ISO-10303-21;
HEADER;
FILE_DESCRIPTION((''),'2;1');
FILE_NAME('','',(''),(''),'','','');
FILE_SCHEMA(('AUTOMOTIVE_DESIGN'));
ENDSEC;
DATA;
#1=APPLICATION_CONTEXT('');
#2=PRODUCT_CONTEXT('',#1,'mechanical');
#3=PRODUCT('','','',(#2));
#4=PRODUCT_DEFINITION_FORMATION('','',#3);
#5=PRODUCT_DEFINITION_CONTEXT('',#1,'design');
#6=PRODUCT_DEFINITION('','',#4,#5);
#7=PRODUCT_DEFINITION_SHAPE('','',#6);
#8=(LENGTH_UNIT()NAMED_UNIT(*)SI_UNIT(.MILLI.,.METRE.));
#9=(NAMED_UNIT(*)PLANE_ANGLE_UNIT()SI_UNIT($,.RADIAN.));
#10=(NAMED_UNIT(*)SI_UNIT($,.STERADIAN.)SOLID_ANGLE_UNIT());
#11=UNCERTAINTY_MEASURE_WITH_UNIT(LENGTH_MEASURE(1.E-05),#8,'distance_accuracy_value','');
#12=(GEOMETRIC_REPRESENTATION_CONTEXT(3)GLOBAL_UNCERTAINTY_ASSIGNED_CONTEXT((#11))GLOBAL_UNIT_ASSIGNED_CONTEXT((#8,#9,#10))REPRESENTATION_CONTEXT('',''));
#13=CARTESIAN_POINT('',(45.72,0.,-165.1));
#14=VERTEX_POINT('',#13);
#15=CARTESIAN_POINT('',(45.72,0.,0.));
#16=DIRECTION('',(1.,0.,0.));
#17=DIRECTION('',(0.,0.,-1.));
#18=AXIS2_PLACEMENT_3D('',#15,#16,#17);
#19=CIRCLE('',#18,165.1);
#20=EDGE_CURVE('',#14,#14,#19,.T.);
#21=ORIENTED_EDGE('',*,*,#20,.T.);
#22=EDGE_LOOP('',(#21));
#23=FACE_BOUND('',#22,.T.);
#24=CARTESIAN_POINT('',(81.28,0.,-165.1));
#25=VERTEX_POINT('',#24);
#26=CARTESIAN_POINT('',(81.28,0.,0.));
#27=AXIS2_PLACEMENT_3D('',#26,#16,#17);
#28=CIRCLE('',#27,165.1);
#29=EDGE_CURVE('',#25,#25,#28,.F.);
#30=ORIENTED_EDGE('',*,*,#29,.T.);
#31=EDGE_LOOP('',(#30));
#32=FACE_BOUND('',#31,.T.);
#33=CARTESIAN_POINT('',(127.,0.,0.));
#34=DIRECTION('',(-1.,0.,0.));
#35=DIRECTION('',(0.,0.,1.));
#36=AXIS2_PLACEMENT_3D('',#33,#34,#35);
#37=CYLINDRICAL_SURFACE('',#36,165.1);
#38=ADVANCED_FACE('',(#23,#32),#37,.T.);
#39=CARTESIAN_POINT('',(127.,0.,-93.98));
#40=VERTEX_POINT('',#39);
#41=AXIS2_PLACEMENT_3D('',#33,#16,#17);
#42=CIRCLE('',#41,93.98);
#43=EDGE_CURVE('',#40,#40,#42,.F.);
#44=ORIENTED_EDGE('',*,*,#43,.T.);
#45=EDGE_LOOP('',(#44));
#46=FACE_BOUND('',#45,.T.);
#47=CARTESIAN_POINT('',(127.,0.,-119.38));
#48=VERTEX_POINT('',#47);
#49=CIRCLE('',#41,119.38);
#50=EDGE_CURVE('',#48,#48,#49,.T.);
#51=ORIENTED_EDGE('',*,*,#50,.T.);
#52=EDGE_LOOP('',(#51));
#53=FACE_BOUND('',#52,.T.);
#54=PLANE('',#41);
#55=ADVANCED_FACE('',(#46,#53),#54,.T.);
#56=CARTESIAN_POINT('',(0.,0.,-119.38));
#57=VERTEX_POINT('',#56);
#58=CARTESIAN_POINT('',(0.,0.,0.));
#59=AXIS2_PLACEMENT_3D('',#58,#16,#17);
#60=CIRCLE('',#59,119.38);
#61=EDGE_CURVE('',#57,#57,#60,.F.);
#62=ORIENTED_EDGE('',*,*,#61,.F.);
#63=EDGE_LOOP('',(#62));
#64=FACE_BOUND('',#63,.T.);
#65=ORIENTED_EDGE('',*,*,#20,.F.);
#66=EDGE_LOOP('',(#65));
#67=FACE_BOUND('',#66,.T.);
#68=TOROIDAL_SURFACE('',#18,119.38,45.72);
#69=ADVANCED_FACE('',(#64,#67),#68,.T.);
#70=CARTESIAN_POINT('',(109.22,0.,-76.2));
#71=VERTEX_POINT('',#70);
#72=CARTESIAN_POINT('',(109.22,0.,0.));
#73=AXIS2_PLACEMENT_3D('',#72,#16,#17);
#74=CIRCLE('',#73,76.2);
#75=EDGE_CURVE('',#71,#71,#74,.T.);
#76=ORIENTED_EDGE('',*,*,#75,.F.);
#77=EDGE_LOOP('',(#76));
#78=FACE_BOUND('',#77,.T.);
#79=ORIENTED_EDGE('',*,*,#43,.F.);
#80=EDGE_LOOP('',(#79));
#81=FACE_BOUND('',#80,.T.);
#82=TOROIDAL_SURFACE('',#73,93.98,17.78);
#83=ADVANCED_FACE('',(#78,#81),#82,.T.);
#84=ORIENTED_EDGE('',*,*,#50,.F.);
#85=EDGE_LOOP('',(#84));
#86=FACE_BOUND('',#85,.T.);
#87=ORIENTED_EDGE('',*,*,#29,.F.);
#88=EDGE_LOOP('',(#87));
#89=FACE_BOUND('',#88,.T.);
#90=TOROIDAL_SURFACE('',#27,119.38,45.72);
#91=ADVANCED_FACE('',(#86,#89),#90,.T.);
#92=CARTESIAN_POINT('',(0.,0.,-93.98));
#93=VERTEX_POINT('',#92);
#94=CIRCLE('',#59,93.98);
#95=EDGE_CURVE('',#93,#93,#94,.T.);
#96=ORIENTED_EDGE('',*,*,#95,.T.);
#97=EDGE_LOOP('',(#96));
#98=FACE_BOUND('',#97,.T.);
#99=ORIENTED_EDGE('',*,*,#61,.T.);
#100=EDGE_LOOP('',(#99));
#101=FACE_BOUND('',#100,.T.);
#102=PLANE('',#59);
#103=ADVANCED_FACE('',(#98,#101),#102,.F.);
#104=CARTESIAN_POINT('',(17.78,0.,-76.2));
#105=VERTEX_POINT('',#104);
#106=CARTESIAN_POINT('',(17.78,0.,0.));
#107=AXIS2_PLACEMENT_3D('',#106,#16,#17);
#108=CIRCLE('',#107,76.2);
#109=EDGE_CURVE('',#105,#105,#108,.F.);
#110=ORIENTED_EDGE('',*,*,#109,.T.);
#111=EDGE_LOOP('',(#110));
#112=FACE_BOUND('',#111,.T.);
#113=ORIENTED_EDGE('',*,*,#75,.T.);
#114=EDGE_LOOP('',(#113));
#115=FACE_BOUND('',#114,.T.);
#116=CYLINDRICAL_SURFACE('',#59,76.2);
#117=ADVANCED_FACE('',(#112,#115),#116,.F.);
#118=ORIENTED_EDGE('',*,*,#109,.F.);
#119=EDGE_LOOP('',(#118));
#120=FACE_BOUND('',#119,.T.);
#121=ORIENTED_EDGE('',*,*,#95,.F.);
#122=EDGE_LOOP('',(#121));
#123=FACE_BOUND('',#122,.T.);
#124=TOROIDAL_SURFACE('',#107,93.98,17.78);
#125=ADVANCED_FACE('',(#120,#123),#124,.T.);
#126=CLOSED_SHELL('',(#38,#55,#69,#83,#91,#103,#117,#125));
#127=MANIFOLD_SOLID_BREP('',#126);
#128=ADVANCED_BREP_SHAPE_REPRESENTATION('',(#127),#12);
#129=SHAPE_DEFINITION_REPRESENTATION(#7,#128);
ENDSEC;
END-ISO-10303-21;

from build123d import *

# Parameters (mm, degrees)
SKETCH1_R           = 165.1
BOSS_EXTRUDE1_DEPTH = 127
SKETCH2_R           = 76.2
CUT_EXTRUDE2_DEPTH  = 128
FILLET1_R           = 17.78
FILLET2_R           = 45.72


with BuildPart() as part:
    # Sketch1 → Boss-Extrude1 (new body)
    with BuildSketch(Plane(origin=(0, 0, 0), x_dir=(0, 0, -1), z_dir=(1, 0, 0))):
        Circle(SKETCH1_R)
    extrude(amount=BOSS_EXTRUDE1_DEPTH)

    # Sketch2 → Cut-Extrude2 (cut, through all)
    with BuildSketch(Plane(origin=(127, 0, 0), x_dir=(0, 0, -1), z_dir=(1, 0, 0))):
        Circle(SKETCH2_R)
    extrude(amount=-CUT_EXTRUDE2_DEPTH, mode=Mode.SUBTRACT)

    # Fillet1
    fillet1_edges = [part.edges().sort_by_distance(p)[0] for p in [
        (0, 0, 76.2),
        (127, 0, 76.2),
    ]]
    fillet(fillet1_edges, radius=FILLET1_R)

    # Fillet2
    fillet2_edges = [part.edges().sort_by_distance(p)[0] for p in [
        (0, 0, 165.1),
        (127, 0, 165.1),
    ]]
    fillet(fillet2_edges, radius=FILLET2_R)


solid = part.part
